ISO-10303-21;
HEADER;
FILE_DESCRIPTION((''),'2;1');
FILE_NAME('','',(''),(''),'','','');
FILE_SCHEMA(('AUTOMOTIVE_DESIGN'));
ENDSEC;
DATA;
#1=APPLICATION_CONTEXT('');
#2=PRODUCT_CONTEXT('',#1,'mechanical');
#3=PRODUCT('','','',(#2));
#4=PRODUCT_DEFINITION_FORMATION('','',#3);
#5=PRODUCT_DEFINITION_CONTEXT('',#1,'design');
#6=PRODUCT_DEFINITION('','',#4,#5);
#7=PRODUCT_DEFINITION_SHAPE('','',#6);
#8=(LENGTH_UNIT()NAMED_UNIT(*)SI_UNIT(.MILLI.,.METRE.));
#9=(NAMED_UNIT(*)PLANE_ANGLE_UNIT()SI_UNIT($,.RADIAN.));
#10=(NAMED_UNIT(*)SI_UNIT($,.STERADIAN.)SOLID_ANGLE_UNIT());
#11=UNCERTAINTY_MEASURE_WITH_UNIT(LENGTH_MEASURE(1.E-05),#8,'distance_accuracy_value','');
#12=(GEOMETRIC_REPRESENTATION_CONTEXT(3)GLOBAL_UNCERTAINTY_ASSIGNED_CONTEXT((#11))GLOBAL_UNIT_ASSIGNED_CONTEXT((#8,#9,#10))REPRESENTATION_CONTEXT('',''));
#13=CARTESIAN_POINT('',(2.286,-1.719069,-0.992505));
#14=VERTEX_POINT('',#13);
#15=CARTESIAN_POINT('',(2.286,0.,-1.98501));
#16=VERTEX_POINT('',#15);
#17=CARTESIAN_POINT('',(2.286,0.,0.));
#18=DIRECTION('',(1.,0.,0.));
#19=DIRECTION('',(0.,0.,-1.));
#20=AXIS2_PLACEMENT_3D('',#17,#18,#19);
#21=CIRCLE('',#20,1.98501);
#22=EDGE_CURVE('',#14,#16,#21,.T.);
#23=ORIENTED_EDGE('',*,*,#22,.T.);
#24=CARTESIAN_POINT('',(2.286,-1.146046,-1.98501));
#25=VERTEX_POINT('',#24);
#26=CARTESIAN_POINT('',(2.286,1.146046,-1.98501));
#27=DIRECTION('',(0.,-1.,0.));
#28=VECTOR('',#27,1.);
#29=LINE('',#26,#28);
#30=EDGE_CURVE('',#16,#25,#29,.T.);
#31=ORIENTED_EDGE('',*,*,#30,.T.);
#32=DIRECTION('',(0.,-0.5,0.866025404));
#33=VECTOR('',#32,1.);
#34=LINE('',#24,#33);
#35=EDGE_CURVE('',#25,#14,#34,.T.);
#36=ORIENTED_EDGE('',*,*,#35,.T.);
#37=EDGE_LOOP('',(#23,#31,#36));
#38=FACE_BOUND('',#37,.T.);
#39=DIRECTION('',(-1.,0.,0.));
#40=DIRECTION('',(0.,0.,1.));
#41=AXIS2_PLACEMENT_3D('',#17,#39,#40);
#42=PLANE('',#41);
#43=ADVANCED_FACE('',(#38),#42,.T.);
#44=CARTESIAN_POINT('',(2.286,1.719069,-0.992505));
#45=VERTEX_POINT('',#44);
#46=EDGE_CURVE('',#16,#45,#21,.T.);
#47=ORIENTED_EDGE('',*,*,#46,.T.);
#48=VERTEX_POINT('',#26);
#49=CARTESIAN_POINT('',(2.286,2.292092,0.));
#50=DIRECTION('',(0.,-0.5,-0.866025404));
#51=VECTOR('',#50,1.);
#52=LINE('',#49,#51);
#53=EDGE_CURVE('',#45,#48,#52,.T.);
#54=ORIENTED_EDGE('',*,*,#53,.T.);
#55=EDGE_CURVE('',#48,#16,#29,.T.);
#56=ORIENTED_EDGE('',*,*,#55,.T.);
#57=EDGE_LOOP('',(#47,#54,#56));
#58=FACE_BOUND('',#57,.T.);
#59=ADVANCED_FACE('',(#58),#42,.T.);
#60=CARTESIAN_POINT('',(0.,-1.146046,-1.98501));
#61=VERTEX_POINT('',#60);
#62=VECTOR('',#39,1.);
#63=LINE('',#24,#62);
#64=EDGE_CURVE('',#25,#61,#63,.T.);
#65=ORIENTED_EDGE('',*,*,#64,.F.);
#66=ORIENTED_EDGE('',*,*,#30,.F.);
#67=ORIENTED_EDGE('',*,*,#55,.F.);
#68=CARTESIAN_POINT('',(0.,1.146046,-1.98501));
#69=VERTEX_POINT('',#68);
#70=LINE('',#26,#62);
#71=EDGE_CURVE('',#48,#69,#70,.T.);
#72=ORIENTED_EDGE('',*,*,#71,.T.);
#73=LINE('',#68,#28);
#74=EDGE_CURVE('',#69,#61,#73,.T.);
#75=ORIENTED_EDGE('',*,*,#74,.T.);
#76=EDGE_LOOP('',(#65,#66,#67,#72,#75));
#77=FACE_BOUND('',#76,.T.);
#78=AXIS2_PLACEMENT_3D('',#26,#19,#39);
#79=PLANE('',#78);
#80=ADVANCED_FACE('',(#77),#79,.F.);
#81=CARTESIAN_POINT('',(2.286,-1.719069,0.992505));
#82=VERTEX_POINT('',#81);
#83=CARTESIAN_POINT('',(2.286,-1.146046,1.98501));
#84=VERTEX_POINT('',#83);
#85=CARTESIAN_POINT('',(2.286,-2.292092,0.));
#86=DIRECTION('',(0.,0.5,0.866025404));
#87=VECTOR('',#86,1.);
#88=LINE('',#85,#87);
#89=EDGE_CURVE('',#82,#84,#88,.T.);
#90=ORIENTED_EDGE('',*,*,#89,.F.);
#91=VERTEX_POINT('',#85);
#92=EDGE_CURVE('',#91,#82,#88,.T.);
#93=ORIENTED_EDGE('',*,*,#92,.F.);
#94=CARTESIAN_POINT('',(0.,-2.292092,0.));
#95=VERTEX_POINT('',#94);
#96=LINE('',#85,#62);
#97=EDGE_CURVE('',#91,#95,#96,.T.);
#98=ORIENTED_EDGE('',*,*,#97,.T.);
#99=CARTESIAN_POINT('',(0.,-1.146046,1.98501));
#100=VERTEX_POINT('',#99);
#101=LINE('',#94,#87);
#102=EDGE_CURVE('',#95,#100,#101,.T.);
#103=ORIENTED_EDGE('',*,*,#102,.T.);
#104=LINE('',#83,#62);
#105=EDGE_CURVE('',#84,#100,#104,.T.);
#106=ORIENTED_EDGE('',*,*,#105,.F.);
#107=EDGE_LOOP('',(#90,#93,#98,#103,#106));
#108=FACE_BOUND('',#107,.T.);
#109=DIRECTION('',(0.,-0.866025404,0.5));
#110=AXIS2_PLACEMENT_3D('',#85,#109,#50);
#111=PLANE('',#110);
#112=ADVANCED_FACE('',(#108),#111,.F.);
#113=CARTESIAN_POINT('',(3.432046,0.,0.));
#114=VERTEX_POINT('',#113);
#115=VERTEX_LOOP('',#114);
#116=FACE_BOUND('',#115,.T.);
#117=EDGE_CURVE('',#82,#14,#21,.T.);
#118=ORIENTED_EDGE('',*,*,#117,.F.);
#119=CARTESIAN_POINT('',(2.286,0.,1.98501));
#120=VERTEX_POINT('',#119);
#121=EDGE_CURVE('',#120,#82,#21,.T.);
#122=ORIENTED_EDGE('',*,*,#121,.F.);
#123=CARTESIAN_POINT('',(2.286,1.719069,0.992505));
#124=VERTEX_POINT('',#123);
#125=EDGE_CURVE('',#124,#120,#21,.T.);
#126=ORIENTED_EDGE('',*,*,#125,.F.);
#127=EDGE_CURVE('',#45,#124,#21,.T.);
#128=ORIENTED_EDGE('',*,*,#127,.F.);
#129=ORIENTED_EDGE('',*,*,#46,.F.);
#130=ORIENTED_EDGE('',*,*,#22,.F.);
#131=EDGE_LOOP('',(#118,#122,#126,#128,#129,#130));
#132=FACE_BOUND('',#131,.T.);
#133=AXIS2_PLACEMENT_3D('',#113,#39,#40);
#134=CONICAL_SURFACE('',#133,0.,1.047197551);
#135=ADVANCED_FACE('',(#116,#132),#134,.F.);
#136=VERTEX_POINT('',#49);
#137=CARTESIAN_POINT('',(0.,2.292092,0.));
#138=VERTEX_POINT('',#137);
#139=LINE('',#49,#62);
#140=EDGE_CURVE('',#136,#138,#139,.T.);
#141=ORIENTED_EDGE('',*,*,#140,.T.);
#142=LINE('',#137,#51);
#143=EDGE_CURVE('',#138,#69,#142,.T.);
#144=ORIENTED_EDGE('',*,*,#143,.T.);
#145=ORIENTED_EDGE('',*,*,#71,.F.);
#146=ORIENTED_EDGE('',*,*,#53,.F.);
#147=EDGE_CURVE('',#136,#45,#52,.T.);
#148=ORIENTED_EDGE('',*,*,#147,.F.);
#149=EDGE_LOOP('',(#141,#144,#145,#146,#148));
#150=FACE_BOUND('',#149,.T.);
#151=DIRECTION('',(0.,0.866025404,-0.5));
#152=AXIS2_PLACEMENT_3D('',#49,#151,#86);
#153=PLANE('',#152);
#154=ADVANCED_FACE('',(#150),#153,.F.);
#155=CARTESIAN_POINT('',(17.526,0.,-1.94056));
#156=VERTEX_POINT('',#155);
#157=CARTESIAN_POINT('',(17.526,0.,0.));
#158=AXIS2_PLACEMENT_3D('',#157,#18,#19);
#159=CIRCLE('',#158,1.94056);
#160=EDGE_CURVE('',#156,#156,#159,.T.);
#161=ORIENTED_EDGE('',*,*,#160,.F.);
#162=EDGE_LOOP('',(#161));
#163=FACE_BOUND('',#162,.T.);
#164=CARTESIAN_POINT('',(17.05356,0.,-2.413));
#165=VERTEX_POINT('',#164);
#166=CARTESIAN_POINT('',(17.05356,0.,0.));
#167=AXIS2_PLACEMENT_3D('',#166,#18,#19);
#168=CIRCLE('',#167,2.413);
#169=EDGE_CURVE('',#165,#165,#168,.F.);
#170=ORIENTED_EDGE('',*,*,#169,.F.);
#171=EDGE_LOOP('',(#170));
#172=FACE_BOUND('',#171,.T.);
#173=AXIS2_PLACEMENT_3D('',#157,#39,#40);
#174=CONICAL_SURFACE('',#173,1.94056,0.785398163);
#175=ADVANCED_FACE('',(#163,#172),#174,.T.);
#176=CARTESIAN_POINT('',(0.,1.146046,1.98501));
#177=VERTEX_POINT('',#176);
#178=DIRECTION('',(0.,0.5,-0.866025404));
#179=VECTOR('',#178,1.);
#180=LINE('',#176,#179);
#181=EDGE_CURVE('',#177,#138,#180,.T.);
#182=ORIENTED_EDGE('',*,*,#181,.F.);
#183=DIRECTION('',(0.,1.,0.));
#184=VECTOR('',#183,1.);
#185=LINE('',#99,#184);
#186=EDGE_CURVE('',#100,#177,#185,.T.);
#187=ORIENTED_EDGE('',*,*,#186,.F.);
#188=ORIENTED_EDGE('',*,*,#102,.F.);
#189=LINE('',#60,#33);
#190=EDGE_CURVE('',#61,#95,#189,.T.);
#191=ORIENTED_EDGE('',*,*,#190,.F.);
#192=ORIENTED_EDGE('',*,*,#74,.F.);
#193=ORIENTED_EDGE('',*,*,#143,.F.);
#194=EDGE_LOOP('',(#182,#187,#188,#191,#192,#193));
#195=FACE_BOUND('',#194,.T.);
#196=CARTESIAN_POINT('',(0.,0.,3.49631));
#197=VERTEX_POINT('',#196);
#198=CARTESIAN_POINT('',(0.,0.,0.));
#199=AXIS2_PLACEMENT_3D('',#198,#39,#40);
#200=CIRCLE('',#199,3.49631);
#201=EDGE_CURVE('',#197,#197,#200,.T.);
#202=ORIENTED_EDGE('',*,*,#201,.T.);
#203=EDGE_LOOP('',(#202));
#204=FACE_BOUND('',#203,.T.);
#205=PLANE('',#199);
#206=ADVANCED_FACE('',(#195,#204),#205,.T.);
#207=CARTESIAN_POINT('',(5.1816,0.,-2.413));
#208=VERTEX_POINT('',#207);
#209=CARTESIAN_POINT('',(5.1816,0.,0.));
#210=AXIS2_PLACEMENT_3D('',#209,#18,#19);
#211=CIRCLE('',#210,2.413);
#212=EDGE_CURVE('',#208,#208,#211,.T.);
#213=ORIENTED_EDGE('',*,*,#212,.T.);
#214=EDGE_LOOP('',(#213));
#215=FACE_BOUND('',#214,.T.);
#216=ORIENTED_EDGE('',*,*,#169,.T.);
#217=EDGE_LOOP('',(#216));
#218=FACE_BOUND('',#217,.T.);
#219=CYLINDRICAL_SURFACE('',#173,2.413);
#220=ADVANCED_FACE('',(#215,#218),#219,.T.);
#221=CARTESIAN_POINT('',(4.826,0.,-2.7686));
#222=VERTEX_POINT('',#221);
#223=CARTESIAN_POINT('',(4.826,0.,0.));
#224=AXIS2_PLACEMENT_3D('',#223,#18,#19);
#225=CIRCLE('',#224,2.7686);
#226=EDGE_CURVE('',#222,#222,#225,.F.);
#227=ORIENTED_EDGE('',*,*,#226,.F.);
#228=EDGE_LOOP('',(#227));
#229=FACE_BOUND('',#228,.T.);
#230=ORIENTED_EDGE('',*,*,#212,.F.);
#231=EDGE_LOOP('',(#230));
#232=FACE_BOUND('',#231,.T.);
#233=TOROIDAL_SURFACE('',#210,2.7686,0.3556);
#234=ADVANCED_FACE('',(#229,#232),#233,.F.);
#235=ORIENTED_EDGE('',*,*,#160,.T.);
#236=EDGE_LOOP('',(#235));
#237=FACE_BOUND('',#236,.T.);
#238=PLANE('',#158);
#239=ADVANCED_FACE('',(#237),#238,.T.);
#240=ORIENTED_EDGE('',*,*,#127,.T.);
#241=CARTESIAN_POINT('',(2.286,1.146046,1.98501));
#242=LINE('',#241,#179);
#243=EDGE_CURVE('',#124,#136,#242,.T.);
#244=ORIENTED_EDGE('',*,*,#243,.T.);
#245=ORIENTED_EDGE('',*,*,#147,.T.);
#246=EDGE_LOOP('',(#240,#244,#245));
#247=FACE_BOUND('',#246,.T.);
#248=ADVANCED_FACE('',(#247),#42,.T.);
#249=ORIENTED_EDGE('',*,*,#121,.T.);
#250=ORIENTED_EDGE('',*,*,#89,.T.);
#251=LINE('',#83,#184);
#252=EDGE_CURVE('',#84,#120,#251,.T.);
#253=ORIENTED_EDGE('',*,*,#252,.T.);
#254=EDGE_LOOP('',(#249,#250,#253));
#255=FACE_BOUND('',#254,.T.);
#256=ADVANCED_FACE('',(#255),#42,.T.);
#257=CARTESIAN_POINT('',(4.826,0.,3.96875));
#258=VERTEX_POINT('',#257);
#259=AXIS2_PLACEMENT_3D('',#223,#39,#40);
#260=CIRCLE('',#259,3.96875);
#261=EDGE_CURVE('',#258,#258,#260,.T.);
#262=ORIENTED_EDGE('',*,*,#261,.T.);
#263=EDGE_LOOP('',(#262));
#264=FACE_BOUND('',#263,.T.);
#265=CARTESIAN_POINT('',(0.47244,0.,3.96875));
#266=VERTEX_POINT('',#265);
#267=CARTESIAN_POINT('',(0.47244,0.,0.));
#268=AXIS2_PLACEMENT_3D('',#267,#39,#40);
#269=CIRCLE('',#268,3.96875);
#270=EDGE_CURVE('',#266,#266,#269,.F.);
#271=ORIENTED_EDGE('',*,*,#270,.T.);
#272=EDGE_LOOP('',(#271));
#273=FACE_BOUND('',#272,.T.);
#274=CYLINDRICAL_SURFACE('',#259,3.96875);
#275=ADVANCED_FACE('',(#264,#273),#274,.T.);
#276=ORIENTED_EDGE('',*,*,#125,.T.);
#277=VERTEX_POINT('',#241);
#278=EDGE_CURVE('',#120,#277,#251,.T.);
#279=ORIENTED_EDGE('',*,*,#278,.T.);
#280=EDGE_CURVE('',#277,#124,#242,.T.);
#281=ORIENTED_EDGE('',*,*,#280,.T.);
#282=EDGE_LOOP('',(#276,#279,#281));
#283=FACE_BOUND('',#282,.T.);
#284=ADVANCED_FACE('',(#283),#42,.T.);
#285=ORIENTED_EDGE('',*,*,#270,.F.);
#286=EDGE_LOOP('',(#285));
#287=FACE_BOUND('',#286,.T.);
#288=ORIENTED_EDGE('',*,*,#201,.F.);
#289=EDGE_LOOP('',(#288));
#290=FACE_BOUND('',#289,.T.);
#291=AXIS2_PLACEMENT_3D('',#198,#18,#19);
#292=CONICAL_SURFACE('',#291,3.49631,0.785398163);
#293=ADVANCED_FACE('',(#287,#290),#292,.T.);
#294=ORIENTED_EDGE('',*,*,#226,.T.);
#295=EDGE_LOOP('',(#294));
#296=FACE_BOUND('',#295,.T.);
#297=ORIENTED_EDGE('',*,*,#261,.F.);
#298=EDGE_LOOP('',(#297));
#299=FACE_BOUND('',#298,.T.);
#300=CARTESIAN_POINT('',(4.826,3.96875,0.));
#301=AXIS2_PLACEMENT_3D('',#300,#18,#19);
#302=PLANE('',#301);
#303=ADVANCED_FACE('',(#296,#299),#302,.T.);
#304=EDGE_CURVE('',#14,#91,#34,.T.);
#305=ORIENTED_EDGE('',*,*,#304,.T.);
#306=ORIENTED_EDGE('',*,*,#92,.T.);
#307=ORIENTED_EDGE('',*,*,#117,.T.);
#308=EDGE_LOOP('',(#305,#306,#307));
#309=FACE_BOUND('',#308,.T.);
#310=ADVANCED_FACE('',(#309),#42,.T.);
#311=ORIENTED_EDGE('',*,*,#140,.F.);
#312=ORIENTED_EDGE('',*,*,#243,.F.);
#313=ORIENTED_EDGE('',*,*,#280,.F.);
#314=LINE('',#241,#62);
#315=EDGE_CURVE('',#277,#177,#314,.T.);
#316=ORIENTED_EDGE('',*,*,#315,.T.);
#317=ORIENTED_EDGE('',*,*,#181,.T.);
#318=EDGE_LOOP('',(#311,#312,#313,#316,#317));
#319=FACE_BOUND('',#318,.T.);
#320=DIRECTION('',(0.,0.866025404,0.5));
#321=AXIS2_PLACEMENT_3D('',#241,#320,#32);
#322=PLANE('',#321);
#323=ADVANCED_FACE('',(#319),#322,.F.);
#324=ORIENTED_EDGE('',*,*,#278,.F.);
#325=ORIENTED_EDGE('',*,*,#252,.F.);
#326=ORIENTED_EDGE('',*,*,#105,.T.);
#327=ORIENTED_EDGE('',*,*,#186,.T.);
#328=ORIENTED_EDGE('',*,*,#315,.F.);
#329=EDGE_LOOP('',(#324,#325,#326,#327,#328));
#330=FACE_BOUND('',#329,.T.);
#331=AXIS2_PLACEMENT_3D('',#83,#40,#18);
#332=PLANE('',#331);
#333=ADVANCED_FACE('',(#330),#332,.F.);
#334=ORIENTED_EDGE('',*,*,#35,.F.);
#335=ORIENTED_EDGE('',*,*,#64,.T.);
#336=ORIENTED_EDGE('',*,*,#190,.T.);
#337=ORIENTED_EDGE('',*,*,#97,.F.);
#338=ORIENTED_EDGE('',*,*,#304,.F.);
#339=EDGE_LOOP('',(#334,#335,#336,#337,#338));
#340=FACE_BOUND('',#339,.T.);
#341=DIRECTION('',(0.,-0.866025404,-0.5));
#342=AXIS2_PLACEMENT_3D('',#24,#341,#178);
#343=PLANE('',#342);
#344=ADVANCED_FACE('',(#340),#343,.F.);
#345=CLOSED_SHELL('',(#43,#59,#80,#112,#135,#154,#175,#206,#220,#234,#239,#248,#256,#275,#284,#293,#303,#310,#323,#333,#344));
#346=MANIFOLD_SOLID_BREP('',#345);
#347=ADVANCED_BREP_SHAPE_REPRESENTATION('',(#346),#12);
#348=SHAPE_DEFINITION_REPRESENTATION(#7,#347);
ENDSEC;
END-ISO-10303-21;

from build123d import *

# Parameters (mm, degrees)
SKETCH1_W           = 4.826
SKETCH1_H           = 3.96875
SKETCH2_R           = 2.413
BOSS_EXTRUDE1_DEPTH = 12.7
CUT_EXTRUDE1_DEPTH  = 2.286
CHAMFER1_SIZE       = 0.47244
FILLET1_R           = 0.3556


with BuildPart() as part:
    # Sketch1 → Revolve1 (revolve)
    with BuildSketch(Plane(origin=(0, 0, 0), x_dir=(-1, 0, 0), z_dir=(0, 0, -1)), mode=Mode.PRIVATE) as revolve1_sk:
        with Locations((-2.413, 1.984375)):
            Rectangle(SKETCH1_W, SKETCH1_H)
    revolve(revolve1_sk.sketch.rotate(Axis((4.826, 0, 0), (-1, 0, 0)), 270), axis=Axis((4.826, 0, 0), (-1, 0, 0)))

    # Sketch2 → Boss-Extrude1 (add)
    with BuildSketch(Plane(origin=(4.826, 0, 0), x_dir=(0, 0, -1), z_dir=(1, 0, 0))):
        Circle(SKETCH2_R)
    extrude(amount=BOSS_EXTRUDE1_DEPTH)

    # Sketch3 → Cut-Extrude1 (cut)
    with BuildSketch(Plane.ZY):
        Polygon((0, -2.292092116), (1.98501, -1.146046058), (1.98501, 1.146046058), (0, 2.292092116), (-1.98501, 1.146046058), (-1.98501, -1.146046058), align=None)
    extrude(amount=-CUT_EXTRUDE1_DEPTH, mode=Mode.SUBTRACT)

    # Sketch4 → Cut-Revolve1 (revolve, cut)
    with BuildSketch(Plane.XY, mode=Mode.PRIVATE) as cut_revolve1_sk:
        Polygon((2.286, 1.98501), (2.286, 0), (3.432046058, 0), align=None)
    revolve(cut_revolve1_sk.sketch.rotate(Axis((2.286, 0, 0), (1, 0, 0)), 90), axis=Axis((2.286, 0, 0), (1, 0, 0)), mode=Mode.SUBTRACT)

    # Chamfer1
    chamfer1_edges = [part.edges().sort_by_distance(p)[0] for p in [
        (0, 0, -3.96875),
        (17.526, 0, 2.413),
    ]]
    chamfer(chamfer1_edges, length=CHAMFER1_SIZE)

    # Fillet1
    fillet1_edges = [part.edges().sort_by_distance(p)[0] for p in [
        (4.826, 0, 2.413),
    ]]
    fillet(fillet1_edges, radius=FILLET1_R)


solid = part.part
